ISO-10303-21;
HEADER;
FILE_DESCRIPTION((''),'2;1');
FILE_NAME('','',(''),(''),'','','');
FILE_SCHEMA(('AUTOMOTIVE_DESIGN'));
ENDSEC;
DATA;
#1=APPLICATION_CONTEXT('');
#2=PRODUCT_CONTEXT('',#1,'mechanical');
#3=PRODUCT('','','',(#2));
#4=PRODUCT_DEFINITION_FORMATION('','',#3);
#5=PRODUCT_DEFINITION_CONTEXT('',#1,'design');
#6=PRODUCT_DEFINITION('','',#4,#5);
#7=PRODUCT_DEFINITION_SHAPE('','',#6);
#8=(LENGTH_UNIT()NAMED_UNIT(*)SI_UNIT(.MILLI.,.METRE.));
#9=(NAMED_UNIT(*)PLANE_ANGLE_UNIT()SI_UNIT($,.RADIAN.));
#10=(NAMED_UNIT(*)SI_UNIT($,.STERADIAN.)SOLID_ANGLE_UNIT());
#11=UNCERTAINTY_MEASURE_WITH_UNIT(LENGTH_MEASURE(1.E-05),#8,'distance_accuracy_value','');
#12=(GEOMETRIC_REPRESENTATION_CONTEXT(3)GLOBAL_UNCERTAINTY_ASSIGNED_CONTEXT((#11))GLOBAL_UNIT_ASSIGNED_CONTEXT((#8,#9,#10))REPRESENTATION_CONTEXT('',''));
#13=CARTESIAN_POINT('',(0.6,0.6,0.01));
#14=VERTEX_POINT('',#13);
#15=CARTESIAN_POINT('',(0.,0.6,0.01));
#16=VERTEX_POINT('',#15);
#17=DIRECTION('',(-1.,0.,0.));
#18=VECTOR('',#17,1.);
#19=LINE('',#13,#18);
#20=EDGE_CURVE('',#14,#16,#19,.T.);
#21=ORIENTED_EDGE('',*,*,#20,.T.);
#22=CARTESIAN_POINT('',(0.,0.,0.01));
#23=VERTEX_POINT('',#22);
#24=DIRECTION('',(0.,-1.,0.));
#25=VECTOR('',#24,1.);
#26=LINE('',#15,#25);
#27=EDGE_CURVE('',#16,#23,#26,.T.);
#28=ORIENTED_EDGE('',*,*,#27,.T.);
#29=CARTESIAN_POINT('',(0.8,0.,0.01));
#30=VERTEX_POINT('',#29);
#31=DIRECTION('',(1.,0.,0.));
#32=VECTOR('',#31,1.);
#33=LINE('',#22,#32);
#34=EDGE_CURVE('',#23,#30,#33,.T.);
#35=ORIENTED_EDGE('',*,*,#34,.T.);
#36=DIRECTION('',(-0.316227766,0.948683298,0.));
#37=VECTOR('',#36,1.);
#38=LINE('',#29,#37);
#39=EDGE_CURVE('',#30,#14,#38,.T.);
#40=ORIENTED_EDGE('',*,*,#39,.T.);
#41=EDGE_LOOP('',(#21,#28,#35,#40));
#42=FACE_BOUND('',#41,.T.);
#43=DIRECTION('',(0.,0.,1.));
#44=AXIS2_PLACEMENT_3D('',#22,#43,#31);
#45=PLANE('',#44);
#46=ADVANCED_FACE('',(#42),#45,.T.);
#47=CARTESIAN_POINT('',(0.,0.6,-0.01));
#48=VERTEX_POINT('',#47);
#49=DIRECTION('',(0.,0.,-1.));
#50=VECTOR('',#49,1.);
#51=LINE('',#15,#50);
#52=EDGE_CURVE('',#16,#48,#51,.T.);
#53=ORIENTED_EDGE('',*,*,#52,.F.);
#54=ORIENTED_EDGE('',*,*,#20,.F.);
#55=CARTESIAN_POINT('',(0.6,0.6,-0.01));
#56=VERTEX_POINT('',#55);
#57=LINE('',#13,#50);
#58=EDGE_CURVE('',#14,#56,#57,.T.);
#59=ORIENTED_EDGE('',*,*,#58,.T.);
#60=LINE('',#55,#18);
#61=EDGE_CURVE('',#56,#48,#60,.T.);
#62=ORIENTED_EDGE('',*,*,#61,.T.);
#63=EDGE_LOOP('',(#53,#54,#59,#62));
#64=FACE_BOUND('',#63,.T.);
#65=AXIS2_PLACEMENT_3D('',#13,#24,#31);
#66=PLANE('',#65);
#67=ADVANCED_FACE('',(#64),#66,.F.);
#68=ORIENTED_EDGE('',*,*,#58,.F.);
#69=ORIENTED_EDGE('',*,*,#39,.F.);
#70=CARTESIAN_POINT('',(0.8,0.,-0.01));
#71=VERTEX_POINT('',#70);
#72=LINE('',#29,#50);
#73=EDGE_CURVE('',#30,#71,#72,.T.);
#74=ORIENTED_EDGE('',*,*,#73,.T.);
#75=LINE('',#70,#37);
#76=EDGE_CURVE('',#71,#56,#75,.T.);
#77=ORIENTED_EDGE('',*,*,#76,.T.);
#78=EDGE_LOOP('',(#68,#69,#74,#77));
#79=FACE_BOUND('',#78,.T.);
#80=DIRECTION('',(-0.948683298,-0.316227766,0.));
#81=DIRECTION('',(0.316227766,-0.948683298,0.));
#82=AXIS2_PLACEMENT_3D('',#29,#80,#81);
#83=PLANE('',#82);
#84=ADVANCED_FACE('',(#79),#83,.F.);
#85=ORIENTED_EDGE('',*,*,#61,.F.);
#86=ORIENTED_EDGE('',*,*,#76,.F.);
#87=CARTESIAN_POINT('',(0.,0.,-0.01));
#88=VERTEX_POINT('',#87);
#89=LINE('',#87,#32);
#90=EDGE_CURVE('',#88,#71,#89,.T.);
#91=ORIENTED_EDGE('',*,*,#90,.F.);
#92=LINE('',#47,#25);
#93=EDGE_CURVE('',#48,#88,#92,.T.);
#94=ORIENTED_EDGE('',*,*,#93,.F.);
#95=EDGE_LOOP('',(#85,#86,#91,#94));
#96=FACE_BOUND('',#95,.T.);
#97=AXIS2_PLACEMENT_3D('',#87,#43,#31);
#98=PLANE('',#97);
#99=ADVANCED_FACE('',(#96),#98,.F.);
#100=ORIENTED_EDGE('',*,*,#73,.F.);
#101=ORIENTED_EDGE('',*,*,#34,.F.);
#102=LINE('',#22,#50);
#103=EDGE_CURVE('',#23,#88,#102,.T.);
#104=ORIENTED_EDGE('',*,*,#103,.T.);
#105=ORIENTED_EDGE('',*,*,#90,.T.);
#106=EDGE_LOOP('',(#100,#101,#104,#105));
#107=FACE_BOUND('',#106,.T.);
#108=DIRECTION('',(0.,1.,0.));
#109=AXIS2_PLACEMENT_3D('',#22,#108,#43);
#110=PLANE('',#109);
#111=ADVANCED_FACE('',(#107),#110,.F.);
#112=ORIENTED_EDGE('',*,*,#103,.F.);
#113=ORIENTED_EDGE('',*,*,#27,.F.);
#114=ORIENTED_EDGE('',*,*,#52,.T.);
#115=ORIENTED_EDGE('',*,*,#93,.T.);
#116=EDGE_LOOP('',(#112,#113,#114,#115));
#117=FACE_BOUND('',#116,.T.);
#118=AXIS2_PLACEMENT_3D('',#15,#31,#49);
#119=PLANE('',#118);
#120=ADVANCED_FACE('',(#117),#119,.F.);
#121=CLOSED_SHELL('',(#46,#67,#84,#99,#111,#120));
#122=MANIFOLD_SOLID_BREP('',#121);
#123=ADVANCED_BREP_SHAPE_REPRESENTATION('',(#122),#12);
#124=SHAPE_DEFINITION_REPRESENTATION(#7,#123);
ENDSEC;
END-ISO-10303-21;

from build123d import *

# Parameters (mm, degrees)
BOSS_EXTRUDE1_DEPTH = 0.01


with BuildPart() as part:
    # Sketch1 → Boss-Extrude1 (new, symmetric)
    with BuildSketch(Plane.XY):
        Polygon((0, 0.6), (0, 0), (0.8, 0), (0.6, 0.6), align=None)
    extrude(amount=BOSS_EXTRUDE1_DEPTH, both=True)


solid = part.part
